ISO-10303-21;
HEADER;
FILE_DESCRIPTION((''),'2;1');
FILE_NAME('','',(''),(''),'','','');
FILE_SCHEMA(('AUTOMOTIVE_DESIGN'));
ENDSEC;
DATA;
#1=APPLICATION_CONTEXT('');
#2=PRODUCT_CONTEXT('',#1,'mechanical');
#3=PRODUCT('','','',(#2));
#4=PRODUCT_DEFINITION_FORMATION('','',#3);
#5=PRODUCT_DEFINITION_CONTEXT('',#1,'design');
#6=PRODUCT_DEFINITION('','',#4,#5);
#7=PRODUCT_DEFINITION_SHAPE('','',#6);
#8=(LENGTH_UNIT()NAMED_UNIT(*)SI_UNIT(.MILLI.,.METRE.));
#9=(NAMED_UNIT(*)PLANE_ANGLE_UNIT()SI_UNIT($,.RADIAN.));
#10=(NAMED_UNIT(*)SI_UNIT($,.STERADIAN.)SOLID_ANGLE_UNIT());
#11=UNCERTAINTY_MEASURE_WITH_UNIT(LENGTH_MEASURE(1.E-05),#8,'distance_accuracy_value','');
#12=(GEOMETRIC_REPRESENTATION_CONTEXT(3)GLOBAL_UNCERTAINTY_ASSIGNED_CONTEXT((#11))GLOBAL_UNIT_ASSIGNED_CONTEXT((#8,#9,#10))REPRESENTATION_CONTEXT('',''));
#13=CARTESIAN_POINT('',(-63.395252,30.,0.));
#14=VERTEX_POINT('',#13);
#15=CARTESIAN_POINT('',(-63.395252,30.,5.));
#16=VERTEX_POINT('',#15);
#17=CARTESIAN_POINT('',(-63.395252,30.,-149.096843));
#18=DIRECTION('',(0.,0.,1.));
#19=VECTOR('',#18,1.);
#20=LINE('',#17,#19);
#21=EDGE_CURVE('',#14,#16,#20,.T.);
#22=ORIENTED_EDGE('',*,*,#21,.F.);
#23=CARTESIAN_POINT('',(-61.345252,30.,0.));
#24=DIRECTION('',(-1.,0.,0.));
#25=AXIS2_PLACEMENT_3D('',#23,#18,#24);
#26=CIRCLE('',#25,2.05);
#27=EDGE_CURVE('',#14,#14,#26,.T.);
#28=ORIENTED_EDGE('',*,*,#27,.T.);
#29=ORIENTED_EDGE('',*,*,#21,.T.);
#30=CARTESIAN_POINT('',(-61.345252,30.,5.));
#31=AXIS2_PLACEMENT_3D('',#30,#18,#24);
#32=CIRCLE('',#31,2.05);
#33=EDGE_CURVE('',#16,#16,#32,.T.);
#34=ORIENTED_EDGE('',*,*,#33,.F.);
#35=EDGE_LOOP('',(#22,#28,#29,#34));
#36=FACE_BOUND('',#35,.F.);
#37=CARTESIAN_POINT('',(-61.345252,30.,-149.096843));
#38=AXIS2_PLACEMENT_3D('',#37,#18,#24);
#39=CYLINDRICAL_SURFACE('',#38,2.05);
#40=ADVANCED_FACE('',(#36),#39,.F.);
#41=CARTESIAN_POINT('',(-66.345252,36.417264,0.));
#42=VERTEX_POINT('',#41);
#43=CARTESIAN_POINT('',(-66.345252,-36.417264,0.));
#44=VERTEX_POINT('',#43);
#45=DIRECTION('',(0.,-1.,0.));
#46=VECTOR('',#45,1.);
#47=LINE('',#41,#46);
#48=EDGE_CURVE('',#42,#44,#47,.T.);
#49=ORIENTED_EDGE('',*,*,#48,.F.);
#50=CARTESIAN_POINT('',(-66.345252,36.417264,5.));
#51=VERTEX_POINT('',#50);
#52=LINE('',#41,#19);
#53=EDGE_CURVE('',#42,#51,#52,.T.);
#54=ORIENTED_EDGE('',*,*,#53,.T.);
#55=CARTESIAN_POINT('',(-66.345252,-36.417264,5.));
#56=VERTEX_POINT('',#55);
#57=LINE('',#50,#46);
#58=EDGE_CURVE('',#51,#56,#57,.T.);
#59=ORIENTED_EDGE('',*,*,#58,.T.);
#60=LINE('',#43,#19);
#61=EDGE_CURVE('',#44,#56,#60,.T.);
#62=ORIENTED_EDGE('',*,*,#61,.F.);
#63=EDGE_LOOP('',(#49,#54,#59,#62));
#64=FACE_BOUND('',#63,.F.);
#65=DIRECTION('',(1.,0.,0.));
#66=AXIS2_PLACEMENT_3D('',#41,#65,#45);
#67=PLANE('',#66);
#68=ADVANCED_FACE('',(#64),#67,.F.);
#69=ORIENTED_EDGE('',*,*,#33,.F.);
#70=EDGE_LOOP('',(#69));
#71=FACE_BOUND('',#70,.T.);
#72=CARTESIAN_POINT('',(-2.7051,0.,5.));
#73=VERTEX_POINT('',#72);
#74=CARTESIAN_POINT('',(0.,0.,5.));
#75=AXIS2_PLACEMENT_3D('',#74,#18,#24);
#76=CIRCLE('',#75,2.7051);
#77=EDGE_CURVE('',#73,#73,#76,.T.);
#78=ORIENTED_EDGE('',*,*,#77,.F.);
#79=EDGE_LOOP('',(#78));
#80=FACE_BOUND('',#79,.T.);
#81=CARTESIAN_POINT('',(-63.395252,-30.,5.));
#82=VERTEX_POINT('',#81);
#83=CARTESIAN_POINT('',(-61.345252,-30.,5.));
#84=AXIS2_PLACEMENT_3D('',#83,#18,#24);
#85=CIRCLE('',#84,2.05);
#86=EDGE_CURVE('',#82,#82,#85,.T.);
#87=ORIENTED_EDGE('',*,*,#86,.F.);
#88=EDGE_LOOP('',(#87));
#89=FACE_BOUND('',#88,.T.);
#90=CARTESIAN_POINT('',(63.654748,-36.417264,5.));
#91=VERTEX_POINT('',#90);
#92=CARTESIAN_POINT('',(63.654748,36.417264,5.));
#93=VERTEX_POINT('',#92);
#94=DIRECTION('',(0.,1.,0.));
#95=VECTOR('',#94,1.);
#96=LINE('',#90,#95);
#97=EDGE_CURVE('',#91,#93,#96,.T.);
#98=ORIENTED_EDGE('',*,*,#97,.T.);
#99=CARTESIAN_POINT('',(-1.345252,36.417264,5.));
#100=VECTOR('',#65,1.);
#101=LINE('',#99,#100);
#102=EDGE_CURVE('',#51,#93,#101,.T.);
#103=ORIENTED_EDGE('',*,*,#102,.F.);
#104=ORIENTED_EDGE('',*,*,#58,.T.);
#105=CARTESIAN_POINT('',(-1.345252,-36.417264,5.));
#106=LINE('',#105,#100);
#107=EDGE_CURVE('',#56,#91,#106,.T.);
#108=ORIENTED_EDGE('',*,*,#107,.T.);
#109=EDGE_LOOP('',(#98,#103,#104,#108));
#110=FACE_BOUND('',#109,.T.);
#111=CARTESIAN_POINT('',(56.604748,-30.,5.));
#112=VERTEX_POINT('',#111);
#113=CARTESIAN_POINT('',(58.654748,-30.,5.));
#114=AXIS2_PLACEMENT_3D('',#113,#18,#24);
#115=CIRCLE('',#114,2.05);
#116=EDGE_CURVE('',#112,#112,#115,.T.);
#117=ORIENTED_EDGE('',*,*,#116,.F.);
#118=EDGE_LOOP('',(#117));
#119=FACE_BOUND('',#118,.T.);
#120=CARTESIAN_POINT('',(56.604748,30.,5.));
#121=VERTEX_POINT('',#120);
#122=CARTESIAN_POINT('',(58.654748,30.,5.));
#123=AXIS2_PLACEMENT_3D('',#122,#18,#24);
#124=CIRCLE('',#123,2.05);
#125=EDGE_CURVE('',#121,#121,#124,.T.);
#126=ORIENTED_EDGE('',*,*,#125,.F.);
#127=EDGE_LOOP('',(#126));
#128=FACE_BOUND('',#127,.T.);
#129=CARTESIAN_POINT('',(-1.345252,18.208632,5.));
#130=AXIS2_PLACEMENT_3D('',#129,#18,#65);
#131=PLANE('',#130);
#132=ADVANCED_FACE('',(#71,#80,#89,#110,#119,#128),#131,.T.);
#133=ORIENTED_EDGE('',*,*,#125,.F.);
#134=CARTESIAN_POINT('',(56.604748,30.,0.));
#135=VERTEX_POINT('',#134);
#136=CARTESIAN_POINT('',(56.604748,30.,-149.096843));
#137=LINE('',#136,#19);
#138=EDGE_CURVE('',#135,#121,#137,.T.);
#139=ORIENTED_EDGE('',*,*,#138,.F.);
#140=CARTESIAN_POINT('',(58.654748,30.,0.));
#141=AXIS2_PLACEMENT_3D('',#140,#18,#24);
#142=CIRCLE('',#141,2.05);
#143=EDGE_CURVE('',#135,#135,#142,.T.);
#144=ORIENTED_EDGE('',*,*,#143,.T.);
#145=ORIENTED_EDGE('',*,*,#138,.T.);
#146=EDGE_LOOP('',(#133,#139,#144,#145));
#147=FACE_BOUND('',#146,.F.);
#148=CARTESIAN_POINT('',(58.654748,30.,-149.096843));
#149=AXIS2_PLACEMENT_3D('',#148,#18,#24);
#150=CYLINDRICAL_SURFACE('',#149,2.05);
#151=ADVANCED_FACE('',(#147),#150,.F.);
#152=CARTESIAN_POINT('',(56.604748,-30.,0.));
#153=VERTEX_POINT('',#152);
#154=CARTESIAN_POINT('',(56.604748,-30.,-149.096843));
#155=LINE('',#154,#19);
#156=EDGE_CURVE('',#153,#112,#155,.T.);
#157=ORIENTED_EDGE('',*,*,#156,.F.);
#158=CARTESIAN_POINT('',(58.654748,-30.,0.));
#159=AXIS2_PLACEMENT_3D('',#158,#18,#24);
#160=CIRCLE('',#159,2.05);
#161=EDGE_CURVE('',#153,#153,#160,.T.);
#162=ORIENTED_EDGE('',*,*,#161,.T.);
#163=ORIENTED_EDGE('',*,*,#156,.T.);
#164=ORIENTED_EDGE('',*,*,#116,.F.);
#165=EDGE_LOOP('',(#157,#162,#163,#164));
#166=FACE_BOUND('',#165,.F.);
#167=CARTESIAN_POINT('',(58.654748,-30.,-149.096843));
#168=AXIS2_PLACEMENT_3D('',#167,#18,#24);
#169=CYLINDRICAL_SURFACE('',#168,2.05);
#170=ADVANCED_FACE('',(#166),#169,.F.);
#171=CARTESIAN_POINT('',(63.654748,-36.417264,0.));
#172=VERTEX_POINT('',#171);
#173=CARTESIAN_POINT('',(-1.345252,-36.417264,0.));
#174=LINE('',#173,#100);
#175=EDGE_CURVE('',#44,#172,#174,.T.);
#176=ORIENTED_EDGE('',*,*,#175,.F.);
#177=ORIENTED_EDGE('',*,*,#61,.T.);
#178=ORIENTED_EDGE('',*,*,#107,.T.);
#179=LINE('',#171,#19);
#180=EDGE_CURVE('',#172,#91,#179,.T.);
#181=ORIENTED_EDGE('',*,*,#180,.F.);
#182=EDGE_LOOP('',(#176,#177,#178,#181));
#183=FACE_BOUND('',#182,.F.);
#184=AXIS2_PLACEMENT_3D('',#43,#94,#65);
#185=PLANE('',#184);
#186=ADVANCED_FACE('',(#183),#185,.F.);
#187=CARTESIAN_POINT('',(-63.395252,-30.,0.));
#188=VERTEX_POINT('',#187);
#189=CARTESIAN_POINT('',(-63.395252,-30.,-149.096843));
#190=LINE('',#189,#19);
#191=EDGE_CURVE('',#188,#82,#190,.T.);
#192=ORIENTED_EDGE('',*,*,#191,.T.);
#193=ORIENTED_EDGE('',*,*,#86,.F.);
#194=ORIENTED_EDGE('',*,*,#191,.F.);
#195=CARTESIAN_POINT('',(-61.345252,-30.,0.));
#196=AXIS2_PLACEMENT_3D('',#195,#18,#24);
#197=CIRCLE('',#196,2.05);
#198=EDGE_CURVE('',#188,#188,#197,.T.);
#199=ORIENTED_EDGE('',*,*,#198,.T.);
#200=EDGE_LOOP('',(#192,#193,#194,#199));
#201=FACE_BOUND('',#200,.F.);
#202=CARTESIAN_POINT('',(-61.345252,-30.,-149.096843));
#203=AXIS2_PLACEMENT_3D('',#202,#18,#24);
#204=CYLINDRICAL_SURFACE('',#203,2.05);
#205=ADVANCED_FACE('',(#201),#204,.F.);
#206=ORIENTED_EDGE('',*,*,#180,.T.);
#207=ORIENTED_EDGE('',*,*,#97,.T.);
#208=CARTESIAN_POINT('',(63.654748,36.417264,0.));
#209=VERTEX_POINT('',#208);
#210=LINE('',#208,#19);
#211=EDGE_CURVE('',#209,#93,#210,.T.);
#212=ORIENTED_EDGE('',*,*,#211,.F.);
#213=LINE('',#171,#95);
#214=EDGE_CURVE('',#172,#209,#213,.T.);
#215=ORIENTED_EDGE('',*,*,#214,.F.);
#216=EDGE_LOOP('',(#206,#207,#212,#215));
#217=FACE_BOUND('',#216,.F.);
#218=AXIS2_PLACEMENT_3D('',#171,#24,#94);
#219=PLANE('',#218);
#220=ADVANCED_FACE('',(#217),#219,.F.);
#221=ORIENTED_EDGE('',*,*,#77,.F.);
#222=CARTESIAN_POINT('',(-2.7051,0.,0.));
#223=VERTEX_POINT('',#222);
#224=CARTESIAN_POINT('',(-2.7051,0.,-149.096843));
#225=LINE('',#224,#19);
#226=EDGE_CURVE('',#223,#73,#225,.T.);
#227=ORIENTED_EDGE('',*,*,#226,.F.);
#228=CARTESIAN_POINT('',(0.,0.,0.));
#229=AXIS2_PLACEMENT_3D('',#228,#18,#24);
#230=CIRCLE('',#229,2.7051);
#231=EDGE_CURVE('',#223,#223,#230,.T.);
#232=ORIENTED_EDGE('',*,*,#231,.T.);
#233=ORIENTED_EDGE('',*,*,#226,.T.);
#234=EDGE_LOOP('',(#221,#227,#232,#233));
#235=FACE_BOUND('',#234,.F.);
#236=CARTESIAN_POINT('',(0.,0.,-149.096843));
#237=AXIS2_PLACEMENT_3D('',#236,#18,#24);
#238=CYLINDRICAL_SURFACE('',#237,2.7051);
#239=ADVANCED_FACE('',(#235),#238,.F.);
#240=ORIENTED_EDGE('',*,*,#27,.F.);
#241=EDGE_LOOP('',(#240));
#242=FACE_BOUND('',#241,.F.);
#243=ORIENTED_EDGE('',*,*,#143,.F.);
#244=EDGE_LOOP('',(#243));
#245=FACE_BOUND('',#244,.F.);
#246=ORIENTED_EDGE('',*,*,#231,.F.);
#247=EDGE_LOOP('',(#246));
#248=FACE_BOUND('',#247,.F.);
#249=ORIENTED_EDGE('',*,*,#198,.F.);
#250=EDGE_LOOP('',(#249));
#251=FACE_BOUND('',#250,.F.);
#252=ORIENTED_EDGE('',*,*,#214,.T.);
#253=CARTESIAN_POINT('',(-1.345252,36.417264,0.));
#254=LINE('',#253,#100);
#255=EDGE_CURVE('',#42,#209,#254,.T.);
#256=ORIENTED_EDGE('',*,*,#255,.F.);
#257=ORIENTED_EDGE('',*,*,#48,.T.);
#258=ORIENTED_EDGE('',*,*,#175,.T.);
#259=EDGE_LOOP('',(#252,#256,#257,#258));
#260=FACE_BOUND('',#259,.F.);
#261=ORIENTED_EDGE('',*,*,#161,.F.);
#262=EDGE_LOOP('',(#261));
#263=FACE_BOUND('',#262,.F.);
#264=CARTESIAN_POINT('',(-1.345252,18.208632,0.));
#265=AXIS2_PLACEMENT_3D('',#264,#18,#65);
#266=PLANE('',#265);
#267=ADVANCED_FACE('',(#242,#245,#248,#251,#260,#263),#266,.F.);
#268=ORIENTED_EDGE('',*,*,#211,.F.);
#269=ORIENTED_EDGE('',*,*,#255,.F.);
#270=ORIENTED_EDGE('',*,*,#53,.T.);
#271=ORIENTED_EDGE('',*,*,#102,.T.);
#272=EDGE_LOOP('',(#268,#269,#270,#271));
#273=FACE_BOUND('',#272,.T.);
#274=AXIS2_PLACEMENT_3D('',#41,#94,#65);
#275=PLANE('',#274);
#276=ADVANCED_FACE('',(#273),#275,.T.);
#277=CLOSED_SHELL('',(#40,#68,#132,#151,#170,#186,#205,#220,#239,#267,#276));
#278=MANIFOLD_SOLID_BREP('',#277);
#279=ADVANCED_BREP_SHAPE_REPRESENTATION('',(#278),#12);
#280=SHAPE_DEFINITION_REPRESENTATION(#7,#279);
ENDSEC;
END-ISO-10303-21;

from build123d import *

# Parameters (mm, degrees)
F0_W     = 130
F0_H     = 36.4172644913
F1_DEPTH = 5
F2_D     = 4.1
F3_D     = 5.4102


with BuildPart() as f1:
    # F0 (on Top) → F1 (new body)
    with BuildSketch(Plane.XY):
        with Locations((-1.3452520967, 18.2086322457)):
            Rectangle(F0_W, F0_H)
        with Locations((-1.3452520967, -18.2086322457)):
            Rectangle(F0_W, F0_H)
    extrude(amount=F1_DEPTH)

    # F2 (through all)
    with Locations(Plane(origin=(0, 0, 0), x_dir=(1, 0, 0), z_dir=(0, 0, -1))):
        with Locations((-61.3452520967, -30), (-61.3452520967, 30), (58.6547479033, -30), (58.6547479033, 30)):
            Hole(F2_D / 2)

    # F3 (through all)
    with Locations(Plane(origin=(0, 0, 0), x_dir=(1, 0, 0), z_dir=(0, 0, -1))):
        with Locations((0, 0)):
            Hole(F3_D / 2)


solid = f1.part
